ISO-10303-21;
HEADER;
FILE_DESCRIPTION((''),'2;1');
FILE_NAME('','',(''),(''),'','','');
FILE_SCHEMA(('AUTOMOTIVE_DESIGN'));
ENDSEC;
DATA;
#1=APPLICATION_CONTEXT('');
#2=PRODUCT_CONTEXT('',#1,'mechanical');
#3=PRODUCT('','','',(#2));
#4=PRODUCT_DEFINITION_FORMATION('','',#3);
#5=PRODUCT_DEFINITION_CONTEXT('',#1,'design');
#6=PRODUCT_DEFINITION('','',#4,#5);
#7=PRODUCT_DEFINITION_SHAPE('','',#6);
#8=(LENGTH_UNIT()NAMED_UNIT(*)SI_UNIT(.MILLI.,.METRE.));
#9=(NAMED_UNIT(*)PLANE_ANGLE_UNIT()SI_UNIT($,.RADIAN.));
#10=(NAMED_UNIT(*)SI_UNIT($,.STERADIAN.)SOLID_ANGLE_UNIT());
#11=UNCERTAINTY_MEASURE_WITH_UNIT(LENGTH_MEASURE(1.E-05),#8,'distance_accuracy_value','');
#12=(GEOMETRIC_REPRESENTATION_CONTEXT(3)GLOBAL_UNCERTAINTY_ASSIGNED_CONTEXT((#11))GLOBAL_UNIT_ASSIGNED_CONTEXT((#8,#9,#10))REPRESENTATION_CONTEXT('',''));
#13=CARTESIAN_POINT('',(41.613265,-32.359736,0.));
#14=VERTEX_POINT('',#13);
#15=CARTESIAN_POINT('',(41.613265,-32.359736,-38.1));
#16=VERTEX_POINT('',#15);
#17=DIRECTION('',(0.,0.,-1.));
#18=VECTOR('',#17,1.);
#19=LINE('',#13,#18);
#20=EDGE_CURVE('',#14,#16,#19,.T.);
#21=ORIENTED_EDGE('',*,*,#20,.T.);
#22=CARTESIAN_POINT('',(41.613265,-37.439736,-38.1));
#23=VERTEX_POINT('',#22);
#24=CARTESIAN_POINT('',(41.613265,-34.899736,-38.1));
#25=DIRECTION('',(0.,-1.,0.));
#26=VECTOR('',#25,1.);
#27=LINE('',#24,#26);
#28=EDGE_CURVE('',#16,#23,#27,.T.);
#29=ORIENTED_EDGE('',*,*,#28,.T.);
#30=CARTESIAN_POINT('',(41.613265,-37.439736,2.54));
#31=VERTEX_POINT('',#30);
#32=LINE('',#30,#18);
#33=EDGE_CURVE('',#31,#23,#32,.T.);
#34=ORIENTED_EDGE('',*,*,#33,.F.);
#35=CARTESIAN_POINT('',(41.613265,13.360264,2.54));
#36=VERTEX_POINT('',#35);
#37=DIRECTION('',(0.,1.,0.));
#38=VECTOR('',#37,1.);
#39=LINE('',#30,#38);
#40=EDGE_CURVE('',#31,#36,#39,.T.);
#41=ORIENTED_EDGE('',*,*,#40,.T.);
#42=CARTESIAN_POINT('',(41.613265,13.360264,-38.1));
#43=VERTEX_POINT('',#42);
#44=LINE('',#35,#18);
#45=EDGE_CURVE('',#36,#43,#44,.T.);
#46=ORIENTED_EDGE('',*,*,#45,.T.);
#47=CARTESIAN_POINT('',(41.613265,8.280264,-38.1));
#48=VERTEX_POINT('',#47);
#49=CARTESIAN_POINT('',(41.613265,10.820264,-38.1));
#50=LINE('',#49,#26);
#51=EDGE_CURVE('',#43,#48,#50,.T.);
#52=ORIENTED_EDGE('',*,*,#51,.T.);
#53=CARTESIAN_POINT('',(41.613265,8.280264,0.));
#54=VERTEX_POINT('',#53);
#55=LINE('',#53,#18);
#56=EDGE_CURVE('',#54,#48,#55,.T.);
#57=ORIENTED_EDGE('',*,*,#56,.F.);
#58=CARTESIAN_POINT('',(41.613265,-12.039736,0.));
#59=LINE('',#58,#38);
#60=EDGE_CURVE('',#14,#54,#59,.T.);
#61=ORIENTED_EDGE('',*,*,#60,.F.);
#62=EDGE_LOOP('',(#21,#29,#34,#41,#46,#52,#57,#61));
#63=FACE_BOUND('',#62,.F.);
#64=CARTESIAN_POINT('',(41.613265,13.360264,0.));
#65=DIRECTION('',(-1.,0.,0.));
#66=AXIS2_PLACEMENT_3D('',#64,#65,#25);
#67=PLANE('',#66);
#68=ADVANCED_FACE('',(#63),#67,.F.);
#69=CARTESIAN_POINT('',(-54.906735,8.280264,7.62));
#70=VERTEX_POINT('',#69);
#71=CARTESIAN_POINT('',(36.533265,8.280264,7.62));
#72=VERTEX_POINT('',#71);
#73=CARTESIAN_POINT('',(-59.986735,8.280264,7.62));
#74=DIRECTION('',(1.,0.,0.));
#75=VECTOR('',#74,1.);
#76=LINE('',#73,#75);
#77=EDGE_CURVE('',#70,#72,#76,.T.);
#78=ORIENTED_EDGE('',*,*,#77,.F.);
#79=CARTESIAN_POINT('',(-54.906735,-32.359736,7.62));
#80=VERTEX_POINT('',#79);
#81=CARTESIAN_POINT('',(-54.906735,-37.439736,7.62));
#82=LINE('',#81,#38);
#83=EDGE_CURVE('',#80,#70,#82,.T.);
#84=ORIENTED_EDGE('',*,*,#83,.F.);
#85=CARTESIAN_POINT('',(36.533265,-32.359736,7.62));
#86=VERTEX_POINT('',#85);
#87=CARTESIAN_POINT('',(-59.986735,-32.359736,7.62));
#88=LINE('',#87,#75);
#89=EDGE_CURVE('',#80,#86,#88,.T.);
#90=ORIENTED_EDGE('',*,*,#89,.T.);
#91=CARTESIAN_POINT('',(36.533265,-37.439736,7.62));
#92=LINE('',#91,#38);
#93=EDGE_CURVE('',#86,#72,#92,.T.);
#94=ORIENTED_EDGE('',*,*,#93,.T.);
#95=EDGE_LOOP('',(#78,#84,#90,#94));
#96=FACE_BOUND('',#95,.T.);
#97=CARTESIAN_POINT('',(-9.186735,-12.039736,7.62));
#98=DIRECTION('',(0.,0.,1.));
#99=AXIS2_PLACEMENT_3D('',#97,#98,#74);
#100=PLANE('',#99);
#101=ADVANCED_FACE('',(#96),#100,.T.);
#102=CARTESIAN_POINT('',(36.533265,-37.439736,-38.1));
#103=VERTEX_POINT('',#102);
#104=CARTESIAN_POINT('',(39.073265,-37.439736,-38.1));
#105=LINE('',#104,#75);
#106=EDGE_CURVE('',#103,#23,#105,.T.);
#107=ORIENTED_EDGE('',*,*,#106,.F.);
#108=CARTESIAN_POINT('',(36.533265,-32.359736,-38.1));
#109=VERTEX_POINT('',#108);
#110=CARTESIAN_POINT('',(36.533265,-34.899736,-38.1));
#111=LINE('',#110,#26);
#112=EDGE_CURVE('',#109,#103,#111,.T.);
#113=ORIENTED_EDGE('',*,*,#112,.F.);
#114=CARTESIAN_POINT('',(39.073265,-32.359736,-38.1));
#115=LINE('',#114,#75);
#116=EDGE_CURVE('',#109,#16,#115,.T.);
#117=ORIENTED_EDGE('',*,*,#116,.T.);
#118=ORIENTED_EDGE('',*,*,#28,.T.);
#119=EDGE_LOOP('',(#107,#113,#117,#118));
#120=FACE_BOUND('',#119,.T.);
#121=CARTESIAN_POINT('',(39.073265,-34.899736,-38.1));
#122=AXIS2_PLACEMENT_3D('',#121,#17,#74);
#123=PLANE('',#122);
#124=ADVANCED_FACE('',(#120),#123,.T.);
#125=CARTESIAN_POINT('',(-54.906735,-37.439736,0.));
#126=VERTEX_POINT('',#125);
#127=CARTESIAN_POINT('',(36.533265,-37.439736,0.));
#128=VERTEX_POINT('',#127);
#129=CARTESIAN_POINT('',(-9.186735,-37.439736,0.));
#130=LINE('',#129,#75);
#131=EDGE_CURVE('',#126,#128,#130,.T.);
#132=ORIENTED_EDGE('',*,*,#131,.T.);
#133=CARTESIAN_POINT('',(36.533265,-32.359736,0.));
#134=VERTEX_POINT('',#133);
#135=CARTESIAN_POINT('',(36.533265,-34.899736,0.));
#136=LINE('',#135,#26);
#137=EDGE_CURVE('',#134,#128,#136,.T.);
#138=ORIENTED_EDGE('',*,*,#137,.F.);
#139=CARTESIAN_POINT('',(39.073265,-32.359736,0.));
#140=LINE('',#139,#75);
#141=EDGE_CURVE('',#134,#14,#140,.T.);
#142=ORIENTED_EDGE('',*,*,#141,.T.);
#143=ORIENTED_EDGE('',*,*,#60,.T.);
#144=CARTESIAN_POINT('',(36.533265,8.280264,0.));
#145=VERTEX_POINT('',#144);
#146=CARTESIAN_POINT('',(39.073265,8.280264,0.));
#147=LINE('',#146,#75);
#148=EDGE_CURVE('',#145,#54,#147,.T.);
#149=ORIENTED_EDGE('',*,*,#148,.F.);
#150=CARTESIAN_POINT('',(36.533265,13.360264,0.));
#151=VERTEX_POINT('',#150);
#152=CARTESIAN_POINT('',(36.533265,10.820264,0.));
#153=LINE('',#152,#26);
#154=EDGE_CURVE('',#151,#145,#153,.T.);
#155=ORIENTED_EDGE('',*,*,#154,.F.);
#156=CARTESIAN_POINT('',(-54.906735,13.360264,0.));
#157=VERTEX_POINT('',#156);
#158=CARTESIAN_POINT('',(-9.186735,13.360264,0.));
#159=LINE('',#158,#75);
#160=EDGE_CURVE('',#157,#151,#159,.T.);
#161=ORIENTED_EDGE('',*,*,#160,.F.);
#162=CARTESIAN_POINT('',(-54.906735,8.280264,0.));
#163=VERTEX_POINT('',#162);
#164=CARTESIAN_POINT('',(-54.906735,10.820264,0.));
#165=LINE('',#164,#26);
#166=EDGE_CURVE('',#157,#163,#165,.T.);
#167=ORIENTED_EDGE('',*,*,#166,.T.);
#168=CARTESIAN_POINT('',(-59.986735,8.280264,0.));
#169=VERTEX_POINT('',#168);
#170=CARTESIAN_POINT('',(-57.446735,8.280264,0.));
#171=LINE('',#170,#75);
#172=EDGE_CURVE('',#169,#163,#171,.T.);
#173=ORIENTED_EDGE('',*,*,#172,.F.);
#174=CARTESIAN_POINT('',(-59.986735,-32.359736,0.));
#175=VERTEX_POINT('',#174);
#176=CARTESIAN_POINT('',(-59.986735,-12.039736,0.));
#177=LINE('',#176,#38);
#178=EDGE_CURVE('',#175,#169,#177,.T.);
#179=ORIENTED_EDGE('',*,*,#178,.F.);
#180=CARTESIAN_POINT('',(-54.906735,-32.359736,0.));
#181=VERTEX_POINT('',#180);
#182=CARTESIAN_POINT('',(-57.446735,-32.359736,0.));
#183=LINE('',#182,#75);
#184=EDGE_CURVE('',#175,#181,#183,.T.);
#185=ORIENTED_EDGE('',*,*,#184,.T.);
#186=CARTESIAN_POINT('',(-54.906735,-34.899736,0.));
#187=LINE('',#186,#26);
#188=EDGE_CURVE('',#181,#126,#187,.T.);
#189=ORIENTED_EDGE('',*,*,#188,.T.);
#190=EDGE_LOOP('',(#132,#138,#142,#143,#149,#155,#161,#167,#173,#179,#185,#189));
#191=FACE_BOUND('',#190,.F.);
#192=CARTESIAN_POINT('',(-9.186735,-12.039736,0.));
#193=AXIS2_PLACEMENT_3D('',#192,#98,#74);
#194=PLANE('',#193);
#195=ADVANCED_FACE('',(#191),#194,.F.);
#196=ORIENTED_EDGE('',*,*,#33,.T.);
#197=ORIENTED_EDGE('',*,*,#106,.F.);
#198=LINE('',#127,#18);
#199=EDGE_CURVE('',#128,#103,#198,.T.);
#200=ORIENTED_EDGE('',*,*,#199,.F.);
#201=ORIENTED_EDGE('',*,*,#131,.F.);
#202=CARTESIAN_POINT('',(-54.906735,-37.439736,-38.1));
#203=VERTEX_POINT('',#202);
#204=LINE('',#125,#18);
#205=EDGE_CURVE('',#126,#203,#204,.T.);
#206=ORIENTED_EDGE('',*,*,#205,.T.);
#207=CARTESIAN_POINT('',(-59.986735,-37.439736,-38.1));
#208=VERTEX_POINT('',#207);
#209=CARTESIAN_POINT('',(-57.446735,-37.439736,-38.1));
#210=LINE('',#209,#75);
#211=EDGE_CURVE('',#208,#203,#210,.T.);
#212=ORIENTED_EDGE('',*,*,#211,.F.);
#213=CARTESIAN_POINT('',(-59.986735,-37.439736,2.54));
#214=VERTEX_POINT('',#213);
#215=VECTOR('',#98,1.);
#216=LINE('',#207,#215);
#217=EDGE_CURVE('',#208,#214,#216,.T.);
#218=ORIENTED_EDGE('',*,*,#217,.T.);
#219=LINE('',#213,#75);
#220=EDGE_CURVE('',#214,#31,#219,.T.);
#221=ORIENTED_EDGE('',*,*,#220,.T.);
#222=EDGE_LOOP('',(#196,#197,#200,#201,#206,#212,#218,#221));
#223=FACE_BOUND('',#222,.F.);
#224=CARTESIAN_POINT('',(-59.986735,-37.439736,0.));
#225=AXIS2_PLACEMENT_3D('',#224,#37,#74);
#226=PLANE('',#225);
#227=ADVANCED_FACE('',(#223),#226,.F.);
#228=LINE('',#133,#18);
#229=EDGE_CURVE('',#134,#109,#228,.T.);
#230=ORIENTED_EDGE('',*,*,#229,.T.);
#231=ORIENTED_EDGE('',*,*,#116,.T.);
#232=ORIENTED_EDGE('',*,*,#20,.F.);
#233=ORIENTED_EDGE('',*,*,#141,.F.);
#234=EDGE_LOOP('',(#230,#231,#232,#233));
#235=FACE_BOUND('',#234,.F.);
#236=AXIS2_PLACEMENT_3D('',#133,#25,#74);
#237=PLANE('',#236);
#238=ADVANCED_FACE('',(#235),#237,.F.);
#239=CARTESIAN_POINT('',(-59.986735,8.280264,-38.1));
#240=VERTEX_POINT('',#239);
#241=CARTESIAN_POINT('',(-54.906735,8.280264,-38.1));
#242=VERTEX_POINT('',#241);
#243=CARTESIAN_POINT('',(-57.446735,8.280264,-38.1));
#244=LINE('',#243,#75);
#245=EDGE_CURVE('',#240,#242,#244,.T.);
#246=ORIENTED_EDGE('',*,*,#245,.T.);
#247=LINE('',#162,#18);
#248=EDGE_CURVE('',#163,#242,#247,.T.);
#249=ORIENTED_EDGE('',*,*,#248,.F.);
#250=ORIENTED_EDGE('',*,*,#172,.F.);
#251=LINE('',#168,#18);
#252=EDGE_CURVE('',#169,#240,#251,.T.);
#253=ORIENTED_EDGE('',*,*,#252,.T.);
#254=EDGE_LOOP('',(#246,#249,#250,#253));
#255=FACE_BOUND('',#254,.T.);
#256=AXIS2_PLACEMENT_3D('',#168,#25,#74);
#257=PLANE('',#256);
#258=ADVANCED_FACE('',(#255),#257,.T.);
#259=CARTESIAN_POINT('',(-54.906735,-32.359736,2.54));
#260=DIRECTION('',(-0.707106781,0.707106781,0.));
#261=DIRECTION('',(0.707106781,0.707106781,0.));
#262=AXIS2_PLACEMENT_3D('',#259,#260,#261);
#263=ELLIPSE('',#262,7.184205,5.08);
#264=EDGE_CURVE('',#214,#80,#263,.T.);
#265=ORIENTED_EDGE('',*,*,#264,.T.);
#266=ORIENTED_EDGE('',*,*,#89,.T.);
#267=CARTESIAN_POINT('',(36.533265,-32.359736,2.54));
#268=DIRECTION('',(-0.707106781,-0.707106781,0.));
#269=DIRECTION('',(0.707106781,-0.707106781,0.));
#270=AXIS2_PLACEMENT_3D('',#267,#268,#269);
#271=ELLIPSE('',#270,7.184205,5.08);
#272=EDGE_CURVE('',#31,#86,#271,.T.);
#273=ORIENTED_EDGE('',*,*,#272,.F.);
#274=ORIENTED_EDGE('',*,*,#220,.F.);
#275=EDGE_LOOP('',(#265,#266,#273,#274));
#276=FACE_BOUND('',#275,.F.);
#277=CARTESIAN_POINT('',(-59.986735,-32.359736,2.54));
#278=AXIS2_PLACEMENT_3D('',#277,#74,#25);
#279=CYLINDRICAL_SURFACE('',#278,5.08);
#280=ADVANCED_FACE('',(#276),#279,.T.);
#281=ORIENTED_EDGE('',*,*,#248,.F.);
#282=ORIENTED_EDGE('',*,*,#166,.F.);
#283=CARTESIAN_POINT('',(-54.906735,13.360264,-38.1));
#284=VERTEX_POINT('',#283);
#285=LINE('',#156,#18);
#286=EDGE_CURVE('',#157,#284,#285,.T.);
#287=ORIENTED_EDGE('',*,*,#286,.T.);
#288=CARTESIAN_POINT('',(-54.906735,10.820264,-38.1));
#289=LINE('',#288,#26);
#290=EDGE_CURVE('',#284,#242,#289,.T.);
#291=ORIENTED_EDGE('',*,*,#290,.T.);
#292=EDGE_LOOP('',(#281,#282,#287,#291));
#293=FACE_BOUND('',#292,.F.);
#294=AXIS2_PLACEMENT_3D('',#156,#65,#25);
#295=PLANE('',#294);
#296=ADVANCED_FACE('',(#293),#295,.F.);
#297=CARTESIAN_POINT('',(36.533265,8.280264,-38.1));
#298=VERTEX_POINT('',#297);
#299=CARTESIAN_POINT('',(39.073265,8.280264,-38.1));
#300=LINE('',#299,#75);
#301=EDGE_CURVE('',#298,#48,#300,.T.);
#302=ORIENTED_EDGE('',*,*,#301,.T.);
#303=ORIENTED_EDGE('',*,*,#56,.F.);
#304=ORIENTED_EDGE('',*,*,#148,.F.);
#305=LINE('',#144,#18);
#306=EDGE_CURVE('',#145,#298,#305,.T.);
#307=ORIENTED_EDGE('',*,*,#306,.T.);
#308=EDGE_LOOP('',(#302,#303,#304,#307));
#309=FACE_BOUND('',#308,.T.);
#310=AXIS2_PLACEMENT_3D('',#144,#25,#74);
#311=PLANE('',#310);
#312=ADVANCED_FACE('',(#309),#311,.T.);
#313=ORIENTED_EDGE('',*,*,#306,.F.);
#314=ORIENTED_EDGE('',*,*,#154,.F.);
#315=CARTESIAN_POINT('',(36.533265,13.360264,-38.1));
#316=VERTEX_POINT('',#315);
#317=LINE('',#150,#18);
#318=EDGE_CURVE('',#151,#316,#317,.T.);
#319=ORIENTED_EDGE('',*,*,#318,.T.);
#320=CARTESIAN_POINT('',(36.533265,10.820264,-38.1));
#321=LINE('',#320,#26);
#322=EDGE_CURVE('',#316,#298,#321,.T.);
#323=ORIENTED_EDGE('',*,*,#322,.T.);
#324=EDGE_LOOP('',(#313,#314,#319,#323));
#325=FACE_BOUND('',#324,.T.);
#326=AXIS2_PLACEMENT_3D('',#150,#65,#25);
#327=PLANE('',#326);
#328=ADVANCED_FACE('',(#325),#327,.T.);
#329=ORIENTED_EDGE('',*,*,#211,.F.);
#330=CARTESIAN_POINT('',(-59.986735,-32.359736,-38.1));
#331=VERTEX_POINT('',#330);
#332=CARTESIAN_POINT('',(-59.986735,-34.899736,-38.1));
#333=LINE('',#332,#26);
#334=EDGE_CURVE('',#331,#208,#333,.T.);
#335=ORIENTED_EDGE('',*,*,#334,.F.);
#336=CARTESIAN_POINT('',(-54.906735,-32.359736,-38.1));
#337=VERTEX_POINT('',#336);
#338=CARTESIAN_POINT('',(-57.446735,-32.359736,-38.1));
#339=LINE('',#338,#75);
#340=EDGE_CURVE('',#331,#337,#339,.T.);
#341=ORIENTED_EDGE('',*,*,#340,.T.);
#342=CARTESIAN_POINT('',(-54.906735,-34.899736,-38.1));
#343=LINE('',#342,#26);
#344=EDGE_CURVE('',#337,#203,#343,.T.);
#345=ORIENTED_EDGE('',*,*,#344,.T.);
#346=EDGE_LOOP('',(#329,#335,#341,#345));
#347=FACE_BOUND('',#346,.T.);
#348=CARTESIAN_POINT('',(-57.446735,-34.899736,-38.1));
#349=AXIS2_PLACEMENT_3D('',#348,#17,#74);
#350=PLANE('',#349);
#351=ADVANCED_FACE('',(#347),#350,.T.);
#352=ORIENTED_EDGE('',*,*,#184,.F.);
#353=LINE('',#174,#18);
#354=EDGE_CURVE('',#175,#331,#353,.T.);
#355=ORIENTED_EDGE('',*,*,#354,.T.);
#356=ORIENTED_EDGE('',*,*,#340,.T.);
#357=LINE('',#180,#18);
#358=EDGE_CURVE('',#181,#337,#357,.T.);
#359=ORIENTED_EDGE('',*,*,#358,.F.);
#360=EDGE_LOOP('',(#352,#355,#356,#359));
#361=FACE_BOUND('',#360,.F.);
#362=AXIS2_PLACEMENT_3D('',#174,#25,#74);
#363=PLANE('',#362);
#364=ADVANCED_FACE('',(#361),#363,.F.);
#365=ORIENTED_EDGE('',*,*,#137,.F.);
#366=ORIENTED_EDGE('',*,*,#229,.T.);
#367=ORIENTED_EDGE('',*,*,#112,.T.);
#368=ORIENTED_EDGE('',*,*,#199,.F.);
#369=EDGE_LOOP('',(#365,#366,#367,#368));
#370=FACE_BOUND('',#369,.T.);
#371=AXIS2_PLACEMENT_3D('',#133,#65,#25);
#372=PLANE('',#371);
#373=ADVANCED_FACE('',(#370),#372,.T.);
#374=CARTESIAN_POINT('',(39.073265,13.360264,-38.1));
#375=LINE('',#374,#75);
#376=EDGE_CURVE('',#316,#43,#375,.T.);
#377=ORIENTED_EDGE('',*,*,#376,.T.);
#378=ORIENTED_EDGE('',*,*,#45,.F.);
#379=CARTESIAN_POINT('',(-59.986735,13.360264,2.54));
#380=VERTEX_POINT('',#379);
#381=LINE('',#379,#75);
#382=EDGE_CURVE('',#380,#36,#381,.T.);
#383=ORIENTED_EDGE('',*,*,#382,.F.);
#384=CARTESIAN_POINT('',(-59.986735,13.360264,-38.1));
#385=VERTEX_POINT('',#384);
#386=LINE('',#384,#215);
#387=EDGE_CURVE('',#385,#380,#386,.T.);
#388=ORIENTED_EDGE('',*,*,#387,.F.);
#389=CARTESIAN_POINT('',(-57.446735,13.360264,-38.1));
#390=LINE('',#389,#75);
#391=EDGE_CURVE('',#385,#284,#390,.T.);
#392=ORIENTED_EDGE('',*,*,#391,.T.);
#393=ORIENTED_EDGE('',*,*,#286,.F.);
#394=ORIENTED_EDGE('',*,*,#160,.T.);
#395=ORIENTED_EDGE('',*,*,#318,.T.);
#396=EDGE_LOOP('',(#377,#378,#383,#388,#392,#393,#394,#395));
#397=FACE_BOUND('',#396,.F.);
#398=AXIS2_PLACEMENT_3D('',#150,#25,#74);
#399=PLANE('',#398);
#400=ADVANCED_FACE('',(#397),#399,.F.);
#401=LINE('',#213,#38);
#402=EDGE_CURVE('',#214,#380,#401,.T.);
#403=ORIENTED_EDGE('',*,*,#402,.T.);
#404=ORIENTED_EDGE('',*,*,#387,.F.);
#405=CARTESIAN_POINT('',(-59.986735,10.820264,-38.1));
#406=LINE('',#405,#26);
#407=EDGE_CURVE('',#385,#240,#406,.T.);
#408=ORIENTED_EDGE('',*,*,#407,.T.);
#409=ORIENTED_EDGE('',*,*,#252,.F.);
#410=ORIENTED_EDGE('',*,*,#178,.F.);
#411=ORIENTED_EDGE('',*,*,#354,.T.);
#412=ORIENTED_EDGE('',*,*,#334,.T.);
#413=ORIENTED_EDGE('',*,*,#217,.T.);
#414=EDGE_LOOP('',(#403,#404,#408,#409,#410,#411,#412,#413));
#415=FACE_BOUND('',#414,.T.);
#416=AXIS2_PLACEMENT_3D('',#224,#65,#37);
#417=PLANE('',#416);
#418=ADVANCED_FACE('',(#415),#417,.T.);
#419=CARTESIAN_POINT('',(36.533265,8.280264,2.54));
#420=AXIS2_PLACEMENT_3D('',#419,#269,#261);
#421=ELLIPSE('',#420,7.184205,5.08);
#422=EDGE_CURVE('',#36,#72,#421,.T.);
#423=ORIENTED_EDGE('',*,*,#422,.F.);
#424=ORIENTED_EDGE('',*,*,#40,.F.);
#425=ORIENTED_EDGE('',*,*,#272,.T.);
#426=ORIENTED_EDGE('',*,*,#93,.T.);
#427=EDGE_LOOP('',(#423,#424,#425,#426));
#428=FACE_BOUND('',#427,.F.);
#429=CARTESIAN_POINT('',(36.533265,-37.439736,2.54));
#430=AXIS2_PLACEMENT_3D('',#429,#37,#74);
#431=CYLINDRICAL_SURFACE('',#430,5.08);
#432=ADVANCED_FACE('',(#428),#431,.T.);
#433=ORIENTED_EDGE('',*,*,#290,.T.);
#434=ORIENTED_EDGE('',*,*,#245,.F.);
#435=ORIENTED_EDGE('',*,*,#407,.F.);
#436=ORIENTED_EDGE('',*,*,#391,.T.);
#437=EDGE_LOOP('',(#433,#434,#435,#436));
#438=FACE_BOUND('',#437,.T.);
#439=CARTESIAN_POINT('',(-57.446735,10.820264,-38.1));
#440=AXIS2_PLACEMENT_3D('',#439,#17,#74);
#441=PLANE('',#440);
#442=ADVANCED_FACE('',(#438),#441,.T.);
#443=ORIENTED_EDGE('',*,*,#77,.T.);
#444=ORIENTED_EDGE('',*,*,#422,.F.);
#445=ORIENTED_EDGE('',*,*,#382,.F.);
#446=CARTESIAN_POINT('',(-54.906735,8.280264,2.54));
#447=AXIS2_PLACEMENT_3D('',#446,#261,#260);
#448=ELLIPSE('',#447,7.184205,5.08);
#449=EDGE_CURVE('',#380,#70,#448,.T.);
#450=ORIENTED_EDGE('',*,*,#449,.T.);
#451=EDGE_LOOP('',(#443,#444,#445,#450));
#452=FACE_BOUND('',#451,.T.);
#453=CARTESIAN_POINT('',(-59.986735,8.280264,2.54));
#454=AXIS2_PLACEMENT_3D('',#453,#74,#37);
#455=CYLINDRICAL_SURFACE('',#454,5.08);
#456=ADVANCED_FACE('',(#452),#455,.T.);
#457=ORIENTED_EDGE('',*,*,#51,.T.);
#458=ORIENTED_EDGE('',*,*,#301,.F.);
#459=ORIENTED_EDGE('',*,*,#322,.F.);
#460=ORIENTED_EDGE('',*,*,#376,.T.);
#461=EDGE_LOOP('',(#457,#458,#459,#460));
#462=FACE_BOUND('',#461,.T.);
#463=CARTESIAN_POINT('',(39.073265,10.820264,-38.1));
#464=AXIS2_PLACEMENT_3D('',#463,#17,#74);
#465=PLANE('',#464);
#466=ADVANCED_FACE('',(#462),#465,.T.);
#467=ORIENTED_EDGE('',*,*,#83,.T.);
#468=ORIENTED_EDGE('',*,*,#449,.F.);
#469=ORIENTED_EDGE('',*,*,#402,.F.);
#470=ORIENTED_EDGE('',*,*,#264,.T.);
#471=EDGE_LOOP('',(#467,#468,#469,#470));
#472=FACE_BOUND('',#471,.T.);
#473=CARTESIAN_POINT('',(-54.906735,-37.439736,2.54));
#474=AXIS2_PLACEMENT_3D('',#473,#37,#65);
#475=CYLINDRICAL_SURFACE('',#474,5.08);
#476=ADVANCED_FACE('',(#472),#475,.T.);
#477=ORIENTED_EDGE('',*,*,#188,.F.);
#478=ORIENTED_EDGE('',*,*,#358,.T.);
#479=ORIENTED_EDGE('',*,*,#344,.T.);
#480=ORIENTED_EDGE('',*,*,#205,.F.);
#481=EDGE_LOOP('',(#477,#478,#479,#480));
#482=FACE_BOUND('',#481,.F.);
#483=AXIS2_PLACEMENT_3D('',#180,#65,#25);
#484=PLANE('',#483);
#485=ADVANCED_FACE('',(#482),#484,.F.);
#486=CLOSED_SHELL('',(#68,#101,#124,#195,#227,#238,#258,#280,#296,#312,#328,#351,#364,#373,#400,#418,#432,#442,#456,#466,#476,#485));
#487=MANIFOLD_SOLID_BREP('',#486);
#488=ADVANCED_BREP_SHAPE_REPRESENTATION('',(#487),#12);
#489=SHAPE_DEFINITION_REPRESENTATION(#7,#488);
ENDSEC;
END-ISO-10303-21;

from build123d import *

# Parameters (mm, degrees)
F0_W     = 101.6
F0_H     = 50.8
F1_DEPTH = 7.62
F2_R     = 5.08
F3_W     = 5.08
F3_H     = 5.08
F4_DEPTH = 38.1


with BuildPart() as f1:
    # F0 (on Top) → F1 (new body)
    with BuildSketch(Plane.XY):
        with Locations((-9.186735, -12.039736)):
            Rectangle(F0_W, F0_H)
    extrude(amount=F1_DEPTH)

    # F2
    f2_edges = [f1.edges().sort_by_distance(p)[0] for p in [
        (-9.186735, -37.439736, 7.62),
        (-59.986735, -12.039736, 7.62),
        (-9.186735, 13.360264, 7.62),
        (41.613265, -12.039736, 7.62),
    ]]
    fillet(f2_edges, radius=F2_R)

    # F3 (on face) → F4 (join)
    with BuildSketch(Plane(origin=(0, 0, 0), x_dir=(1, 0, 0), z_dir=(0, 0, -1))):
        with Locations((39.073265, -10.820264)):
            Rectangle(F3_W, F3_H)
        with Locations((39.073265, 34.899736)):
            Rectangle(F3_W, F3_H)
        with Locations((-57.446735, -10.820264)):
            Rectangle(F3_W, F3_H)
        with Locations((-57.446735, 34.899736)):
            Rectangle(F3_W, F3_H)
    extrude(amount=F4_DEPTH)


solid = f1.part
